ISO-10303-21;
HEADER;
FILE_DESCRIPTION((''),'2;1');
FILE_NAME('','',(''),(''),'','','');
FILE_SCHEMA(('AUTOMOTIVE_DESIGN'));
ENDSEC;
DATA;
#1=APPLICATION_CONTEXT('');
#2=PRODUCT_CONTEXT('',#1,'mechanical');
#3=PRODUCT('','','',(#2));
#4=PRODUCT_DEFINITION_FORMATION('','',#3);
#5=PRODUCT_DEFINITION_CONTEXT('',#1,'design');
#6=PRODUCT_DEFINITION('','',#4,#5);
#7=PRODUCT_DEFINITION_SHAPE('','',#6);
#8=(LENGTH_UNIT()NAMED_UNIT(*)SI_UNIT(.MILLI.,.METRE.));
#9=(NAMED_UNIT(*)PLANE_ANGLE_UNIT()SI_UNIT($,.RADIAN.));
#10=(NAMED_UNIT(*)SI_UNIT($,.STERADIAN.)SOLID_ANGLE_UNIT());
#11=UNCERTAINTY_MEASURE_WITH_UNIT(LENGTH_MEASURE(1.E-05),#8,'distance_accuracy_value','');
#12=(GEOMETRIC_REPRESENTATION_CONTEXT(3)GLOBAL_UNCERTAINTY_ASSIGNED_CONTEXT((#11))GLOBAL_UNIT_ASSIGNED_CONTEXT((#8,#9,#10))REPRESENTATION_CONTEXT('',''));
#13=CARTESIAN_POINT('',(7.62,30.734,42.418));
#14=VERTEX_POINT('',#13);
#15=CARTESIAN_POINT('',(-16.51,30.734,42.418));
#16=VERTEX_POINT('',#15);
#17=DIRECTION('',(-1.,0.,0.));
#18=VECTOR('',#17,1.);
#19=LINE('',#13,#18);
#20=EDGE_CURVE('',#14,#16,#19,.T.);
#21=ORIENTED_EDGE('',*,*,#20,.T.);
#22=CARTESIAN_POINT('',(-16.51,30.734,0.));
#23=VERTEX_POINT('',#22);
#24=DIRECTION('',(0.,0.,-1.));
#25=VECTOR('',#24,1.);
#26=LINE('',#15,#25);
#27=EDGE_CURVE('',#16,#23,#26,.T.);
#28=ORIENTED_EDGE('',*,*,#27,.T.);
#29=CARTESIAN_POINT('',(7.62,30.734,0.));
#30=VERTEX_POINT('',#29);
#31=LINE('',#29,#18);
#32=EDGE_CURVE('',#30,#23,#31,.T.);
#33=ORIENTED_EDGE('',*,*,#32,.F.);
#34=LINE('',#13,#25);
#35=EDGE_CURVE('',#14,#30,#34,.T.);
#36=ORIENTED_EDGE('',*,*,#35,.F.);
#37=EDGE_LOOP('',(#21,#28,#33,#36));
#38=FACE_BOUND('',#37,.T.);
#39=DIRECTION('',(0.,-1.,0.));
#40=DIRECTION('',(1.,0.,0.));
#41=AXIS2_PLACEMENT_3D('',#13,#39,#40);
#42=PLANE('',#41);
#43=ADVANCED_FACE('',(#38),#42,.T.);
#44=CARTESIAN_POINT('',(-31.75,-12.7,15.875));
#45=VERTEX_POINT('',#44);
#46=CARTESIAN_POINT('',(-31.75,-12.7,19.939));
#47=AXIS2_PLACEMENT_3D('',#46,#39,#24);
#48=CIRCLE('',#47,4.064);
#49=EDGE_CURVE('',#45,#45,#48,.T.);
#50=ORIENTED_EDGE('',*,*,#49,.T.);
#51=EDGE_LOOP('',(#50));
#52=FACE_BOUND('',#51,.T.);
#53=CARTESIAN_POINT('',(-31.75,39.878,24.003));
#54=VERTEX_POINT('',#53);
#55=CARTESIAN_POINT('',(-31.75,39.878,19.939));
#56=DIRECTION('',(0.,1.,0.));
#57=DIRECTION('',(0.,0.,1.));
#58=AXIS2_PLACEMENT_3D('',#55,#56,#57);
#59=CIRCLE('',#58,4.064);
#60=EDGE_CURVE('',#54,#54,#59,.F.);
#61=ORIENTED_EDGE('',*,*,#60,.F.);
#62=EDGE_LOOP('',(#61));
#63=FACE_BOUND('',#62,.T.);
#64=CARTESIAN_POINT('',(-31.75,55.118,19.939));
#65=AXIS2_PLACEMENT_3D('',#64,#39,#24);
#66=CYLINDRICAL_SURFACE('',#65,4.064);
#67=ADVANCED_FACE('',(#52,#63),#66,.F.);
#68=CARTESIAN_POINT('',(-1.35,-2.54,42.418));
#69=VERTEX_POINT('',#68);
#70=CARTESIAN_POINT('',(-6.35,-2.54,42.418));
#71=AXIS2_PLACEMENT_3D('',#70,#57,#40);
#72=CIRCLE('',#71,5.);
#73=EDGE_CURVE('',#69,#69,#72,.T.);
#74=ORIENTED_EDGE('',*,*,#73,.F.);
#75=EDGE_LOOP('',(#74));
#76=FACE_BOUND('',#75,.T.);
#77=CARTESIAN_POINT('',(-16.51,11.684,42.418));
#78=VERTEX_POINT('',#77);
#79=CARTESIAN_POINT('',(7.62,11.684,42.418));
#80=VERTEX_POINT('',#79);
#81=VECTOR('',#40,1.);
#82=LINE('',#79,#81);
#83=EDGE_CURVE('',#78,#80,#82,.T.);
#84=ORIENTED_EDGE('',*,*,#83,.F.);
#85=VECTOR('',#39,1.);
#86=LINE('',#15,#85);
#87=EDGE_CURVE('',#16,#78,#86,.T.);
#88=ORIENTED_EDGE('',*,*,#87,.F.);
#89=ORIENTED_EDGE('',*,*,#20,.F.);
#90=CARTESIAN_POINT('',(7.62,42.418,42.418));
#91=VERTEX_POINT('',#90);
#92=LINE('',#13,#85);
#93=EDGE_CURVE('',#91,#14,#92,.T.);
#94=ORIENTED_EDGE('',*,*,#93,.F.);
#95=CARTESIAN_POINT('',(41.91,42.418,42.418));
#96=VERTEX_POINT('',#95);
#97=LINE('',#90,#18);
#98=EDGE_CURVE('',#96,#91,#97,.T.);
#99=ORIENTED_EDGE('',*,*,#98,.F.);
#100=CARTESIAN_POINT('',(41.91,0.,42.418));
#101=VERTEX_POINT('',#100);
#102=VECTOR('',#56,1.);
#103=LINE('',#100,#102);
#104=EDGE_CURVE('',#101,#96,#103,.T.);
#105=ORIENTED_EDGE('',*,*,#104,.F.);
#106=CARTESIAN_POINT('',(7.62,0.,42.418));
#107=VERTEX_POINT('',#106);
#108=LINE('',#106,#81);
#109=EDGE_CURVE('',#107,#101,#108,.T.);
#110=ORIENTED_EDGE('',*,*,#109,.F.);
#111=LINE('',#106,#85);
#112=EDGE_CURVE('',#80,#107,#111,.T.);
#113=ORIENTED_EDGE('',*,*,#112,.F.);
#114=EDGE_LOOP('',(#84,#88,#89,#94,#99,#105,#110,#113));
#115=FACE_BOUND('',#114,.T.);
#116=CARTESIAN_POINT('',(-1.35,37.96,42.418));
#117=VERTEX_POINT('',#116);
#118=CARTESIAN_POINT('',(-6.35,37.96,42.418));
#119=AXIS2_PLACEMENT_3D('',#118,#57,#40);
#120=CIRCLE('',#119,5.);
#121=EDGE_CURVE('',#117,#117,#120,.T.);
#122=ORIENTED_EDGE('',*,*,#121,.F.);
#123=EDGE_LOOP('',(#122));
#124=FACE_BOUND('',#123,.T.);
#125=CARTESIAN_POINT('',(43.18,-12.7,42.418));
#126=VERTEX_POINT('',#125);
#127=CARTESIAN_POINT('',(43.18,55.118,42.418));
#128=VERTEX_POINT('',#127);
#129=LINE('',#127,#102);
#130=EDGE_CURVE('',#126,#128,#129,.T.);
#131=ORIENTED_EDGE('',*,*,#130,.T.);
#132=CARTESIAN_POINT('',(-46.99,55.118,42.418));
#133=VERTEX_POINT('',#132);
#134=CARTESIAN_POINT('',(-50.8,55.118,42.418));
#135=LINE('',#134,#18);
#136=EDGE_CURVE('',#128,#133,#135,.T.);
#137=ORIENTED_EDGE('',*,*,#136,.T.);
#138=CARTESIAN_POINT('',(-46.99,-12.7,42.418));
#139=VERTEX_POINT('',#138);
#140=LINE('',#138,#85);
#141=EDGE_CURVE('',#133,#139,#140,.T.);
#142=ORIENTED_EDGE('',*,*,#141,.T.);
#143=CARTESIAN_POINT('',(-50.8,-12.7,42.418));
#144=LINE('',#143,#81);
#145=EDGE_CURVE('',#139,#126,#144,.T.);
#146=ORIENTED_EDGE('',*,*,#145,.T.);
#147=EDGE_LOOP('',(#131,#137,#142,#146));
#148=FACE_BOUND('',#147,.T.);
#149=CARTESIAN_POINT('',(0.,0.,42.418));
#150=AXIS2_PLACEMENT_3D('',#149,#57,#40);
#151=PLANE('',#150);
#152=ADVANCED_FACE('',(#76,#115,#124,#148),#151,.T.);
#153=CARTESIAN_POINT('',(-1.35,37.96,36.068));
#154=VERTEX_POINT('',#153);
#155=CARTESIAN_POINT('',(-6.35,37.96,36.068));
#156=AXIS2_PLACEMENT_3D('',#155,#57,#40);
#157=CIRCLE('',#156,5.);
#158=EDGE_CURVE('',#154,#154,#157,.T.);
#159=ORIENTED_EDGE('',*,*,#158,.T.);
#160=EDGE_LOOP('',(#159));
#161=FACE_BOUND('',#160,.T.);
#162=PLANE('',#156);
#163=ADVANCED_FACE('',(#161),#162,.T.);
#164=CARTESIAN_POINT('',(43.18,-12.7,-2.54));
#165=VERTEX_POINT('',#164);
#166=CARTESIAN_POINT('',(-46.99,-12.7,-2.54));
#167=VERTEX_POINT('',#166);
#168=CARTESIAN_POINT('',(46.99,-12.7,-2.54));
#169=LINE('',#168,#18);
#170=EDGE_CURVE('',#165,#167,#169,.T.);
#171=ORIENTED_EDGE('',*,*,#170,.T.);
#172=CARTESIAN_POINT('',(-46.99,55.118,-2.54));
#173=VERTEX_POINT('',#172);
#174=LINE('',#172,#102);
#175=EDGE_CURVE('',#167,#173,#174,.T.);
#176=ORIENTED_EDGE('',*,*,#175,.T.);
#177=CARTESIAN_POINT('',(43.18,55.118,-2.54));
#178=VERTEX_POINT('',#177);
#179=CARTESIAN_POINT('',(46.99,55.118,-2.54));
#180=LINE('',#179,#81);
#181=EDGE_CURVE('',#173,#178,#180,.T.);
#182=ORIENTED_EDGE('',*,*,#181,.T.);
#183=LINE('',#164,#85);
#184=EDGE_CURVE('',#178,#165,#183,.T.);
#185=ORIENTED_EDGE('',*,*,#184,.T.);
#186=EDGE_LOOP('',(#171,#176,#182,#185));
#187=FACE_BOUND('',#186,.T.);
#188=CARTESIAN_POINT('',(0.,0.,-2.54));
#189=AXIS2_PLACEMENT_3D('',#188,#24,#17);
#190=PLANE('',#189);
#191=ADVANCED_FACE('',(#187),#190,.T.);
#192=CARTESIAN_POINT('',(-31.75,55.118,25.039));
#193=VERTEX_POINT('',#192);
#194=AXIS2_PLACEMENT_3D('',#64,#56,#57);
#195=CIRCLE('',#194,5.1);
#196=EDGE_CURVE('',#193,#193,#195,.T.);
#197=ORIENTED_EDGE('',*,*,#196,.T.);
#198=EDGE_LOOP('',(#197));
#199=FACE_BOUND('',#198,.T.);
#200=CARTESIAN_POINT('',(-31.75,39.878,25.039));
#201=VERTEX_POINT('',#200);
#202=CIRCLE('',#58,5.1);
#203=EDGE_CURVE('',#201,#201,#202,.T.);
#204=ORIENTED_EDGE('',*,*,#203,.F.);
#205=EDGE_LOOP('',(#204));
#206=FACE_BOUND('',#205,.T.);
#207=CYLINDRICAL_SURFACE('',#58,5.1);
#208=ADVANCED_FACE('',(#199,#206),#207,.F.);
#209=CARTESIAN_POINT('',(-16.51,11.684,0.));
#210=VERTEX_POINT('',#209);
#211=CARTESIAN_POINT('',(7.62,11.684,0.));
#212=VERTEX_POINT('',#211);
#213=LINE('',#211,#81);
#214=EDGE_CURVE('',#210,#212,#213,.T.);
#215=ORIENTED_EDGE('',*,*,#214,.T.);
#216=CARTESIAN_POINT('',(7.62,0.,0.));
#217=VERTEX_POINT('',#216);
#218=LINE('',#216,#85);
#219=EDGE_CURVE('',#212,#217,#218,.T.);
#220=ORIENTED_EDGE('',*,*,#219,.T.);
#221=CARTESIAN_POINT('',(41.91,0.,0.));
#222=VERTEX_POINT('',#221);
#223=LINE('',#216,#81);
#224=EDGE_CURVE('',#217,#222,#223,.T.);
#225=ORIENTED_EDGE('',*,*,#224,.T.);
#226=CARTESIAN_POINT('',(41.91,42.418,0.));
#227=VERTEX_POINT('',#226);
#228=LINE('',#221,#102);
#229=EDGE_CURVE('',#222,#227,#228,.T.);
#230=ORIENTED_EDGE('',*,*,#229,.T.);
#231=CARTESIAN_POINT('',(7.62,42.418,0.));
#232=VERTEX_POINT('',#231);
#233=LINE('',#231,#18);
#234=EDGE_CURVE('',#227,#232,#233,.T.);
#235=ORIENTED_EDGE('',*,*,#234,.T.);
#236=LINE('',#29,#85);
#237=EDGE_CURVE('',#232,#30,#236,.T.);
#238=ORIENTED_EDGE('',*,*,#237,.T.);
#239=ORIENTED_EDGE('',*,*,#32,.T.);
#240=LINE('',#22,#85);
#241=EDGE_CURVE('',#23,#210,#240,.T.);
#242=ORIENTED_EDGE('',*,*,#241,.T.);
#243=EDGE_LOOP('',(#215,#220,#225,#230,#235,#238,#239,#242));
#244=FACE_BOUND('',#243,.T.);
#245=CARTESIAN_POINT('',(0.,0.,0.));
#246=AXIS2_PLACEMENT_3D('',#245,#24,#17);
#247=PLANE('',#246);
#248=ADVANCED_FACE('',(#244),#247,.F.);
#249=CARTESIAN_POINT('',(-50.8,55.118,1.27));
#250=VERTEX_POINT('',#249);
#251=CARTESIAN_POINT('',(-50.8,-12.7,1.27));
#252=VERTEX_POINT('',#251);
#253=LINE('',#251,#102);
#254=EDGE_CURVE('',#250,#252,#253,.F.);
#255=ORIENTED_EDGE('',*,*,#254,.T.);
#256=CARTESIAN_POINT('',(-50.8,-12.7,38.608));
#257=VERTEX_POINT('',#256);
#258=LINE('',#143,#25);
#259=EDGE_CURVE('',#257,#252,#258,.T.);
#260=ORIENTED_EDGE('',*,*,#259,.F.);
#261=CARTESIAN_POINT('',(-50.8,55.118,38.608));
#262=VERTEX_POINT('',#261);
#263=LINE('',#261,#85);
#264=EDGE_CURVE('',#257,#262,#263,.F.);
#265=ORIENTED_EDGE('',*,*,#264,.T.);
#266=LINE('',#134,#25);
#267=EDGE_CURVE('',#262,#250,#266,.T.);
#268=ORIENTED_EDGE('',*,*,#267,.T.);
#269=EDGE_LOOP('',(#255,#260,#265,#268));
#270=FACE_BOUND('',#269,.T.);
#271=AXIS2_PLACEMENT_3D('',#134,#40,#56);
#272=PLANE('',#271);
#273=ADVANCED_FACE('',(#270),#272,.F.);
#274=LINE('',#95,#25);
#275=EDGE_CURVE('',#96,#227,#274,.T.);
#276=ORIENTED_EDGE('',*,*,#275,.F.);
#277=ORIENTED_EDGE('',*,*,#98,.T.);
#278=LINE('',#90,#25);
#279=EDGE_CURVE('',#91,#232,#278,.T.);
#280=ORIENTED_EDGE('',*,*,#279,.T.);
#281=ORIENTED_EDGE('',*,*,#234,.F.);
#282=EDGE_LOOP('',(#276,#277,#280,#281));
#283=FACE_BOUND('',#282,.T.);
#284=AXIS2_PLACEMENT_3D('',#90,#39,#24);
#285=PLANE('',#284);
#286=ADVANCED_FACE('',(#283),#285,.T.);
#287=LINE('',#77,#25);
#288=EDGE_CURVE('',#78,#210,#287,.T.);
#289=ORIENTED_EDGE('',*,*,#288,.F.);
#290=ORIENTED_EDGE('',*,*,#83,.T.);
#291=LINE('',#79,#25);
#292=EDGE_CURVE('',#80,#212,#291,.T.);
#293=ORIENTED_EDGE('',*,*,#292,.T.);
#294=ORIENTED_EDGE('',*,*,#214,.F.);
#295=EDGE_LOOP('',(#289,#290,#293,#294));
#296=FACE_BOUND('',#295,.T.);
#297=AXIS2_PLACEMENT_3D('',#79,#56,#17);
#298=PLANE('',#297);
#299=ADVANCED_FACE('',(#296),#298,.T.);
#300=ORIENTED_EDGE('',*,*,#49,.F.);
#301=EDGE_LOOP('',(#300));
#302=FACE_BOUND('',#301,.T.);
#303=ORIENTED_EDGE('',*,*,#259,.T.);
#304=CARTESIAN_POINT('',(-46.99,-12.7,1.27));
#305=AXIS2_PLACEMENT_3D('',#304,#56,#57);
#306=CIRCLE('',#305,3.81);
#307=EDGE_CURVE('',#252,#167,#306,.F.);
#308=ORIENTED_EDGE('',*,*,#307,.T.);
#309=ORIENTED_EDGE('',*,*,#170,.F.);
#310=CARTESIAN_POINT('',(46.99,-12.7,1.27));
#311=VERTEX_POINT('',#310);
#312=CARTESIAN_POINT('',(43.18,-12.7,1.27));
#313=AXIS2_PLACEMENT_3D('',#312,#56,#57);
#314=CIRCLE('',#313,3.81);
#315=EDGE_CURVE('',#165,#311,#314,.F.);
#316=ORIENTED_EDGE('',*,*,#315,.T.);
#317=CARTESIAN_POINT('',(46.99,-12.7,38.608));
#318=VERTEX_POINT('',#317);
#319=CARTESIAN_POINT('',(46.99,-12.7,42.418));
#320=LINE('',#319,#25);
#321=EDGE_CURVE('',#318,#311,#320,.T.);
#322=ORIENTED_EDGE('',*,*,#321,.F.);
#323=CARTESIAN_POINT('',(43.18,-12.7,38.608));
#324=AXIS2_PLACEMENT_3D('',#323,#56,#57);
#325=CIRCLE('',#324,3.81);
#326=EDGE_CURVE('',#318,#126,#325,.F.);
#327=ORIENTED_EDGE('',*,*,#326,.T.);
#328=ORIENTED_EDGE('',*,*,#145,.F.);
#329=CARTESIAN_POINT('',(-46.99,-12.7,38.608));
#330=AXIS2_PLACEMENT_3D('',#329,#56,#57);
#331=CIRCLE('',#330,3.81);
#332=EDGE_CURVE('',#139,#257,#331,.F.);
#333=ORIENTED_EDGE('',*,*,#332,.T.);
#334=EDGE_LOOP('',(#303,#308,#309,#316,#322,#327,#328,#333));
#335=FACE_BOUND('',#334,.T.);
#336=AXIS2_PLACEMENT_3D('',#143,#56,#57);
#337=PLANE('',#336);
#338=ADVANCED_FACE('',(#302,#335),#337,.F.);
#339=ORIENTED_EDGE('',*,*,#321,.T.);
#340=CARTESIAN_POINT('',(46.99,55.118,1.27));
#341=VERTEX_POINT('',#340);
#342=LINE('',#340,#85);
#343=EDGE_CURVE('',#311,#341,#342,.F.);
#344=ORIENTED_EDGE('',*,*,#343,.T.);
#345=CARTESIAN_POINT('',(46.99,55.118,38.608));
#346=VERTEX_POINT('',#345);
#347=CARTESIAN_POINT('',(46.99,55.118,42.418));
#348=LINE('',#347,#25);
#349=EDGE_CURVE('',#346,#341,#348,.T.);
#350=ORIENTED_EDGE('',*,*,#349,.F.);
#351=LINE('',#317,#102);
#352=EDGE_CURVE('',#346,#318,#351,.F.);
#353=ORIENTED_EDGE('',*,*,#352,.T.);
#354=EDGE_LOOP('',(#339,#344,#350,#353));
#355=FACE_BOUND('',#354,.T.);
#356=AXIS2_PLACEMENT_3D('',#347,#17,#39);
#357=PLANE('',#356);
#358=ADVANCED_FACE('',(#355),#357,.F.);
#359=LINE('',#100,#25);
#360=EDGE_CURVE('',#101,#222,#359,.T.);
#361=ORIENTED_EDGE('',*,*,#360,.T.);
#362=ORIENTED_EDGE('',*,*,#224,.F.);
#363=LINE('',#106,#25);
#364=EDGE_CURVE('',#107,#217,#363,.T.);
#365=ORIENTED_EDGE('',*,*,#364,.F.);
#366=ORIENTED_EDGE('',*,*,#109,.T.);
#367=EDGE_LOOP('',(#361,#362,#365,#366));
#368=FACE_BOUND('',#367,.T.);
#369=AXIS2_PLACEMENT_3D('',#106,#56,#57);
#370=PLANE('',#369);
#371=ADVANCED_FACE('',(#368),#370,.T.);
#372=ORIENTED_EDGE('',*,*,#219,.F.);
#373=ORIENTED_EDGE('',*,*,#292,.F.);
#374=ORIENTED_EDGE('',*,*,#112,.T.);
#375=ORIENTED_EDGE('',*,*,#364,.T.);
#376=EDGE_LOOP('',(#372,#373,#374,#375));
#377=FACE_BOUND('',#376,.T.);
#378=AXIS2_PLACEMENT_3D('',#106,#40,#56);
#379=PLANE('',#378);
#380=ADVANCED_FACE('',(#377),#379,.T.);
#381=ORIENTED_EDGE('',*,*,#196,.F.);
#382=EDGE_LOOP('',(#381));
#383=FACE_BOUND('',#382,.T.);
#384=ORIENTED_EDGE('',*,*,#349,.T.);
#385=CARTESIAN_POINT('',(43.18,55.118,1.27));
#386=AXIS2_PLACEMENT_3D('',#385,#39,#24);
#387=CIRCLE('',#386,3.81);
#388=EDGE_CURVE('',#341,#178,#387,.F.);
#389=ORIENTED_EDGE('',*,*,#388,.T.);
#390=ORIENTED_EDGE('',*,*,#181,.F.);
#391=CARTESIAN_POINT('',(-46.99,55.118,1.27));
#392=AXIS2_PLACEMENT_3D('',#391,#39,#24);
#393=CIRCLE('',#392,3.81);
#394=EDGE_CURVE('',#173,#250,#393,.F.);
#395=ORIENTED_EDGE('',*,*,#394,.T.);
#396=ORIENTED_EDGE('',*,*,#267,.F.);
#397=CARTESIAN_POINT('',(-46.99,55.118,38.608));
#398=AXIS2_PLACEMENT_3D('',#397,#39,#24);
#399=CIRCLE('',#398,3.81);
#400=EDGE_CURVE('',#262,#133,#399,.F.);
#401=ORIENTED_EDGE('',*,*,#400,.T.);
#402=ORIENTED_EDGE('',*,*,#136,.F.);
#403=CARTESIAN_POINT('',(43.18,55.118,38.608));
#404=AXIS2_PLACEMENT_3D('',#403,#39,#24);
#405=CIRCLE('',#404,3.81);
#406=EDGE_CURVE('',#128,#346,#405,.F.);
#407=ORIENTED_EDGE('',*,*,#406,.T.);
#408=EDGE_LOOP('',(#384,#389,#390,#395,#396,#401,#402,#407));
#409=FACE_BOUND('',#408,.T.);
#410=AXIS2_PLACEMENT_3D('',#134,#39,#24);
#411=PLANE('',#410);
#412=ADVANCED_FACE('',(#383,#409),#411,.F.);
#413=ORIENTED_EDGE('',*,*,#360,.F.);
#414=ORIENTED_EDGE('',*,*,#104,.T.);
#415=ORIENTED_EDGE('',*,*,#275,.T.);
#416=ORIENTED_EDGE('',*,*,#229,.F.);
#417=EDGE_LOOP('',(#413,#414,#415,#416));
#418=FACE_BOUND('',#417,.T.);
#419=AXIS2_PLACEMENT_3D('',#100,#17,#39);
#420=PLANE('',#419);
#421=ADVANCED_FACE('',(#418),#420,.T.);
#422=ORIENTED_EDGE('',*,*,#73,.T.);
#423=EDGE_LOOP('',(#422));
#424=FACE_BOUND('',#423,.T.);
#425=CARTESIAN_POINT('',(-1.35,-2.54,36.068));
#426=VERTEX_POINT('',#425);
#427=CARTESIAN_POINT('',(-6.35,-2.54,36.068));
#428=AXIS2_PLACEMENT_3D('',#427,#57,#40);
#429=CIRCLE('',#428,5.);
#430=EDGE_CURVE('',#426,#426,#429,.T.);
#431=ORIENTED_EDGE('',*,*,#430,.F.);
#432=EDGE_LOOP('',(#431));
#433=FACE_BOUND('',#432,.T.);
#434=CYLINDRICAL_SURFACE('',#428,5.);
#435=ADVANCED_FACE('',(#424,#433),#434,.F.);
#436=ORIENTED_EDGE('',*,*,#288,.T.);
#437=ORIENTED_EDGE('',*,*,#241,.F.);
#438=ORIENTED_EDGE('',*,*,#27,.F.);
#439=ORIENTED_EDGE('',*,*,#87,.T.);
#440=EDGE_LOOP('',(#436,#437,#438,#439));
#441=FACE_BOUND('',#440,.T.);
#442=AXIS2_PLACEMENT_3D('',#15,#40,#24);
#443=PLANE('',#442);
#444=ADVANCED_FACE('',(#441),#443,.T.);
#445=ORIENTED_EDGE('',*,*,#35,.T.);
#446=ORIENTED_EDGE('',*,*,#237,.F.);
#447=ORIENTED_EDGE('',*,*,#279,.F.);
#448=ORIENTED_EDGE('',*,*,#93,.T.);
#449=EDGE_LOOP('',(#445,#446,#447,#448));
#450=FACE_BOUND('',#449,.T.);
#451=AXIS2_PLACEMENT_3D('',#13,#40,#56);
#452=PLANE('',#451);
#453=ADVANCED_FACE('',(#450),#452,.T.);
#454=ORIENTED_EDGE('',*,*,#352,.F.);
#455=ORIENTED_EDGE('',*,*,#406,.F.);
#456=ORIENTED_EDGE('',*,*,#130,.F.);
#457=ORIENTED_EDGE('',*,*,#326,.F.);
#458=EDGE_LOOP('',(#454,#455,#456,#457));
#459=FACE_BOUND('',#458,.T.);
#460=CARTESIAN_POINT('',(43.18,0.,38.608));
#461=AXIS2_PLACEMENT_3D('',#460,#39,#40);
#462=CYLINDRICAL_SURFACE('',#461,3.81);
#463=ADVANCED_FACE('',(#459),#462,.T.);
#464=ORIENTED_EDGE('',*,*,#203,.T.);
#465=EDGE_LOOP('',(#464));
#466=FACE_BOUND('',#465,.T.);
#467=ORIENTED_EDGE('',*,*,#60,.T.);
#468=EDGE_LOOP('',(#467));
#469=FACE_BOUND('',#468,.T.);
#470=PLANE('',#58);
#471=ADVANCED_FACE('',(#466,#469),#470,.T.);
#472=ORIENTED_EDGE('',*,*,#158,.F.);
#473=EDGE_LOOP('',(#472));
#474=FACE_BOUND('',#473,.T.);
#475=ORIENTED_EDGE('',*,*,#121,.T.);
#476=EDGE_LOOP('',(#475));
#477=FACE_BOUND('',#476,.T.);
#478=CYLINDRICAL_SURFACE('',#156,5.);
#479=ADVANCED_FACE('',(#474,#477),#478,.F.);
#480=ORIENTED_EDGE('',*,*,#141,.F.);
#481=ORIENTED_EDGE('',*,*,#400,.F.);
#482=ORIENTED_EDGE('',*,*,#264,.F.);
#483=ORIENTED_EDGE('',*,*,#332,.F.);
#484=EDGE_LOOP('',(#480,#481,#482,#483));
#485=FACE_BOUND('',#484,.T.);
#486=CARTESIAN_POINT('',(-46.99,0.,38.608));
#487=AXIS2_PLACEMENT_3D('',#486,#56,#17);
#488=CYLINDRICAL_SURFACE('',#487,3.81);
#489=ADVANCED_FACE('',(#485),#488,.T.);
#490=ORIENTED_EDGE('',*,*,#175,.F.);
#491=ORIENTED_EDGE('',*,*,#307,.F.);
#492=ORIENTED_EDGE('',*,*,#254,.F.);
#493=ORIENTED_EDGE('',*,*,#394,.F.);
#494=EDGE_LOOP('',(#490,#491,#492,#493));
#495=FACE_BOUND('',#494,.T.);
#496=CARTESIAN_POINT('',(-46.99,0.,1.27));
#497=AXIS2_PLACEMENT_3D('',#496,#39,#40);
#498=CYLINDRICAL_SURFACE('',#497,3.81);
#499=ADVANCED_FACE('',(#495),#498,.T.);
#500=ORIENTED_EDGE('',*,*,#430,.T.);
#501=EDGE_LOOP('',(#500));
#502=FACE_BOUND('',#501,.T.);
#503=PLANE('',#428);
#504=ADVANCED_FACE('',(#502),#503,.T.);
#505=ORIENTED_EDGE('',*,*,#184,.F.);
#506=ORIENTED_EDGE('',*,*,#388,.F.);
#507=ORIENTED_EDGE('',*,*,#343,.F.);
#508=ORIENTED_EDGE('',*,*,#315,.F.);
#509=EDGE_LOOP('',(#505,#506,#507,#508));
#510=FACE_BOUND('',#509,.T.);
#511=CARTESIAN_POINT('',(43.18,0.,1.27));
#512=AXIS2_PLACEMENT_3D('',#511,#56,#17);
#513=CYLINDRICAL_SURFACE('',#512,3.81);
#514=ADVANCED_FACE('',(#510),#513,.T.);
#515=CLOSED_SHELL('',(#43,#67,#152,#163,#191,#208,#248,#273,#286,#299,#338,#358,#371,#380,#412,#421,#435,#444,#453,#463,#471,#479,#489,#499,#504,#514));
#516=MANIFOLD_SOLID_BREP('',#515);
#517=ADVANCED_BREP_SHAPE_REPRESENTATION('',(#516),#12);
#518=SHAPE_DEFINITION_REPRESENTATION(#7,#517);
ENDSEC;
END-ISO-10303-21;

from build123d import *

# Parameters (mm, degrees)
SKETCH1_W           = 97.79
SKETCH1_H           = 67.818
BOSS_EXTRUDE1_DEPTH = 42.418
SKETCH2_W           = 97.79
SKETCH2_H           = 67.818
BOSS_EXTRUDE2_DEPTH = 2.54
SKETCH3_R           = 4.064
CUT_EXTRUDE1_DEPTH  = 68.818
SKETCH4_R           = 5
CUT_EXTRUDE2_DEPTH  = 6.35
SKETCH5_R           = 5.1
CUT_EXTRUDE3_DEPTH  = 15.24
FILLET1_R           = 3.81


with BuildPart() as part:
    # Sketch1 → Boss-Extrude1 (new body)
    with BuildSketch(Plane.XY):
        with Locations((-1.905, 21.209)):
            Rectangle(SKETCH1_W, SKETCH1_H)
        Polygon((7.62, 30.734), (7.62, 42.418), (41.91, 42.418), (41.91, 0), (7.62, 0), (7.62, 11.684), (-16.51, 11.684), (-16.51, 30.734), align=None, mode=Mode.SUBTRACT)
    extrude(amount=BOSS_EXTRUDE1_DEPTH)

    # Sketch2 → Boss-Extrude2 (add)
    with BuildSketch(Plane(origin=(0, 0, 0), x_dir=(-1, 0, 0), z_dir=(0, 0, -1))):
        with Locations((1.905, 21.209)):
            Rectangle(SKETCH2_W, SKETCH2_H)
    extrude(amount=BOSS_EXTRUDE2_DEPTH)

    # Sketch3 → Cut-Extrude1 (cut, through all)
    with BuildSketch(Plane.XZ.offset(12.7)):
        with Locations((-31.75, 19.939)):
            Circle(SKETCH3_R)
    extrude(amount=-CUT_EXTRUDE1_DEPTH, mode=Mode.SUBTRACT)

    # Sketch4 → Cut-Extrude2 (cut)
    with BuildSketch(Plane.XY.offset(42.418)):
        with Locations((-6.35, 37.96)):
            Circle(SKETCH4_R)
        with Locations((-6.35, -2.54)):
            Circle(SKETCH4_R)
    extrude(amount=-CUT_EXTRUDE2_DEPTH, mode=Mode.SUBTRACT)

    # Sketch5 → Cut-Extrude3 (cut)
    with BuildSketch(Plane(origin=(0, 55.118, 0), x_dir=(1, 0, 0), z_dir=(0, 1, 0))):
        with Locations((-31.75, -19.939)):
            Circle(SKETCH5_R)
    extrude(amount=-CUT_EXTRUDE3_DEPTH, mode=Mode.SUBTRACT)

    # Fillet1
    fillet1_edges = [part.edges().sort_by_distance(p)[0] for p in [
        (46.99, 21.209, 42.418),
        (46.99, 21.209, -2.54),
        (-50.8, 21.209, -2.54),
        (-50.8, 21.209, 42.418),
    ]]
    fillet(fillet1_edges, radius=FILLET1_R)


solid = part.part
